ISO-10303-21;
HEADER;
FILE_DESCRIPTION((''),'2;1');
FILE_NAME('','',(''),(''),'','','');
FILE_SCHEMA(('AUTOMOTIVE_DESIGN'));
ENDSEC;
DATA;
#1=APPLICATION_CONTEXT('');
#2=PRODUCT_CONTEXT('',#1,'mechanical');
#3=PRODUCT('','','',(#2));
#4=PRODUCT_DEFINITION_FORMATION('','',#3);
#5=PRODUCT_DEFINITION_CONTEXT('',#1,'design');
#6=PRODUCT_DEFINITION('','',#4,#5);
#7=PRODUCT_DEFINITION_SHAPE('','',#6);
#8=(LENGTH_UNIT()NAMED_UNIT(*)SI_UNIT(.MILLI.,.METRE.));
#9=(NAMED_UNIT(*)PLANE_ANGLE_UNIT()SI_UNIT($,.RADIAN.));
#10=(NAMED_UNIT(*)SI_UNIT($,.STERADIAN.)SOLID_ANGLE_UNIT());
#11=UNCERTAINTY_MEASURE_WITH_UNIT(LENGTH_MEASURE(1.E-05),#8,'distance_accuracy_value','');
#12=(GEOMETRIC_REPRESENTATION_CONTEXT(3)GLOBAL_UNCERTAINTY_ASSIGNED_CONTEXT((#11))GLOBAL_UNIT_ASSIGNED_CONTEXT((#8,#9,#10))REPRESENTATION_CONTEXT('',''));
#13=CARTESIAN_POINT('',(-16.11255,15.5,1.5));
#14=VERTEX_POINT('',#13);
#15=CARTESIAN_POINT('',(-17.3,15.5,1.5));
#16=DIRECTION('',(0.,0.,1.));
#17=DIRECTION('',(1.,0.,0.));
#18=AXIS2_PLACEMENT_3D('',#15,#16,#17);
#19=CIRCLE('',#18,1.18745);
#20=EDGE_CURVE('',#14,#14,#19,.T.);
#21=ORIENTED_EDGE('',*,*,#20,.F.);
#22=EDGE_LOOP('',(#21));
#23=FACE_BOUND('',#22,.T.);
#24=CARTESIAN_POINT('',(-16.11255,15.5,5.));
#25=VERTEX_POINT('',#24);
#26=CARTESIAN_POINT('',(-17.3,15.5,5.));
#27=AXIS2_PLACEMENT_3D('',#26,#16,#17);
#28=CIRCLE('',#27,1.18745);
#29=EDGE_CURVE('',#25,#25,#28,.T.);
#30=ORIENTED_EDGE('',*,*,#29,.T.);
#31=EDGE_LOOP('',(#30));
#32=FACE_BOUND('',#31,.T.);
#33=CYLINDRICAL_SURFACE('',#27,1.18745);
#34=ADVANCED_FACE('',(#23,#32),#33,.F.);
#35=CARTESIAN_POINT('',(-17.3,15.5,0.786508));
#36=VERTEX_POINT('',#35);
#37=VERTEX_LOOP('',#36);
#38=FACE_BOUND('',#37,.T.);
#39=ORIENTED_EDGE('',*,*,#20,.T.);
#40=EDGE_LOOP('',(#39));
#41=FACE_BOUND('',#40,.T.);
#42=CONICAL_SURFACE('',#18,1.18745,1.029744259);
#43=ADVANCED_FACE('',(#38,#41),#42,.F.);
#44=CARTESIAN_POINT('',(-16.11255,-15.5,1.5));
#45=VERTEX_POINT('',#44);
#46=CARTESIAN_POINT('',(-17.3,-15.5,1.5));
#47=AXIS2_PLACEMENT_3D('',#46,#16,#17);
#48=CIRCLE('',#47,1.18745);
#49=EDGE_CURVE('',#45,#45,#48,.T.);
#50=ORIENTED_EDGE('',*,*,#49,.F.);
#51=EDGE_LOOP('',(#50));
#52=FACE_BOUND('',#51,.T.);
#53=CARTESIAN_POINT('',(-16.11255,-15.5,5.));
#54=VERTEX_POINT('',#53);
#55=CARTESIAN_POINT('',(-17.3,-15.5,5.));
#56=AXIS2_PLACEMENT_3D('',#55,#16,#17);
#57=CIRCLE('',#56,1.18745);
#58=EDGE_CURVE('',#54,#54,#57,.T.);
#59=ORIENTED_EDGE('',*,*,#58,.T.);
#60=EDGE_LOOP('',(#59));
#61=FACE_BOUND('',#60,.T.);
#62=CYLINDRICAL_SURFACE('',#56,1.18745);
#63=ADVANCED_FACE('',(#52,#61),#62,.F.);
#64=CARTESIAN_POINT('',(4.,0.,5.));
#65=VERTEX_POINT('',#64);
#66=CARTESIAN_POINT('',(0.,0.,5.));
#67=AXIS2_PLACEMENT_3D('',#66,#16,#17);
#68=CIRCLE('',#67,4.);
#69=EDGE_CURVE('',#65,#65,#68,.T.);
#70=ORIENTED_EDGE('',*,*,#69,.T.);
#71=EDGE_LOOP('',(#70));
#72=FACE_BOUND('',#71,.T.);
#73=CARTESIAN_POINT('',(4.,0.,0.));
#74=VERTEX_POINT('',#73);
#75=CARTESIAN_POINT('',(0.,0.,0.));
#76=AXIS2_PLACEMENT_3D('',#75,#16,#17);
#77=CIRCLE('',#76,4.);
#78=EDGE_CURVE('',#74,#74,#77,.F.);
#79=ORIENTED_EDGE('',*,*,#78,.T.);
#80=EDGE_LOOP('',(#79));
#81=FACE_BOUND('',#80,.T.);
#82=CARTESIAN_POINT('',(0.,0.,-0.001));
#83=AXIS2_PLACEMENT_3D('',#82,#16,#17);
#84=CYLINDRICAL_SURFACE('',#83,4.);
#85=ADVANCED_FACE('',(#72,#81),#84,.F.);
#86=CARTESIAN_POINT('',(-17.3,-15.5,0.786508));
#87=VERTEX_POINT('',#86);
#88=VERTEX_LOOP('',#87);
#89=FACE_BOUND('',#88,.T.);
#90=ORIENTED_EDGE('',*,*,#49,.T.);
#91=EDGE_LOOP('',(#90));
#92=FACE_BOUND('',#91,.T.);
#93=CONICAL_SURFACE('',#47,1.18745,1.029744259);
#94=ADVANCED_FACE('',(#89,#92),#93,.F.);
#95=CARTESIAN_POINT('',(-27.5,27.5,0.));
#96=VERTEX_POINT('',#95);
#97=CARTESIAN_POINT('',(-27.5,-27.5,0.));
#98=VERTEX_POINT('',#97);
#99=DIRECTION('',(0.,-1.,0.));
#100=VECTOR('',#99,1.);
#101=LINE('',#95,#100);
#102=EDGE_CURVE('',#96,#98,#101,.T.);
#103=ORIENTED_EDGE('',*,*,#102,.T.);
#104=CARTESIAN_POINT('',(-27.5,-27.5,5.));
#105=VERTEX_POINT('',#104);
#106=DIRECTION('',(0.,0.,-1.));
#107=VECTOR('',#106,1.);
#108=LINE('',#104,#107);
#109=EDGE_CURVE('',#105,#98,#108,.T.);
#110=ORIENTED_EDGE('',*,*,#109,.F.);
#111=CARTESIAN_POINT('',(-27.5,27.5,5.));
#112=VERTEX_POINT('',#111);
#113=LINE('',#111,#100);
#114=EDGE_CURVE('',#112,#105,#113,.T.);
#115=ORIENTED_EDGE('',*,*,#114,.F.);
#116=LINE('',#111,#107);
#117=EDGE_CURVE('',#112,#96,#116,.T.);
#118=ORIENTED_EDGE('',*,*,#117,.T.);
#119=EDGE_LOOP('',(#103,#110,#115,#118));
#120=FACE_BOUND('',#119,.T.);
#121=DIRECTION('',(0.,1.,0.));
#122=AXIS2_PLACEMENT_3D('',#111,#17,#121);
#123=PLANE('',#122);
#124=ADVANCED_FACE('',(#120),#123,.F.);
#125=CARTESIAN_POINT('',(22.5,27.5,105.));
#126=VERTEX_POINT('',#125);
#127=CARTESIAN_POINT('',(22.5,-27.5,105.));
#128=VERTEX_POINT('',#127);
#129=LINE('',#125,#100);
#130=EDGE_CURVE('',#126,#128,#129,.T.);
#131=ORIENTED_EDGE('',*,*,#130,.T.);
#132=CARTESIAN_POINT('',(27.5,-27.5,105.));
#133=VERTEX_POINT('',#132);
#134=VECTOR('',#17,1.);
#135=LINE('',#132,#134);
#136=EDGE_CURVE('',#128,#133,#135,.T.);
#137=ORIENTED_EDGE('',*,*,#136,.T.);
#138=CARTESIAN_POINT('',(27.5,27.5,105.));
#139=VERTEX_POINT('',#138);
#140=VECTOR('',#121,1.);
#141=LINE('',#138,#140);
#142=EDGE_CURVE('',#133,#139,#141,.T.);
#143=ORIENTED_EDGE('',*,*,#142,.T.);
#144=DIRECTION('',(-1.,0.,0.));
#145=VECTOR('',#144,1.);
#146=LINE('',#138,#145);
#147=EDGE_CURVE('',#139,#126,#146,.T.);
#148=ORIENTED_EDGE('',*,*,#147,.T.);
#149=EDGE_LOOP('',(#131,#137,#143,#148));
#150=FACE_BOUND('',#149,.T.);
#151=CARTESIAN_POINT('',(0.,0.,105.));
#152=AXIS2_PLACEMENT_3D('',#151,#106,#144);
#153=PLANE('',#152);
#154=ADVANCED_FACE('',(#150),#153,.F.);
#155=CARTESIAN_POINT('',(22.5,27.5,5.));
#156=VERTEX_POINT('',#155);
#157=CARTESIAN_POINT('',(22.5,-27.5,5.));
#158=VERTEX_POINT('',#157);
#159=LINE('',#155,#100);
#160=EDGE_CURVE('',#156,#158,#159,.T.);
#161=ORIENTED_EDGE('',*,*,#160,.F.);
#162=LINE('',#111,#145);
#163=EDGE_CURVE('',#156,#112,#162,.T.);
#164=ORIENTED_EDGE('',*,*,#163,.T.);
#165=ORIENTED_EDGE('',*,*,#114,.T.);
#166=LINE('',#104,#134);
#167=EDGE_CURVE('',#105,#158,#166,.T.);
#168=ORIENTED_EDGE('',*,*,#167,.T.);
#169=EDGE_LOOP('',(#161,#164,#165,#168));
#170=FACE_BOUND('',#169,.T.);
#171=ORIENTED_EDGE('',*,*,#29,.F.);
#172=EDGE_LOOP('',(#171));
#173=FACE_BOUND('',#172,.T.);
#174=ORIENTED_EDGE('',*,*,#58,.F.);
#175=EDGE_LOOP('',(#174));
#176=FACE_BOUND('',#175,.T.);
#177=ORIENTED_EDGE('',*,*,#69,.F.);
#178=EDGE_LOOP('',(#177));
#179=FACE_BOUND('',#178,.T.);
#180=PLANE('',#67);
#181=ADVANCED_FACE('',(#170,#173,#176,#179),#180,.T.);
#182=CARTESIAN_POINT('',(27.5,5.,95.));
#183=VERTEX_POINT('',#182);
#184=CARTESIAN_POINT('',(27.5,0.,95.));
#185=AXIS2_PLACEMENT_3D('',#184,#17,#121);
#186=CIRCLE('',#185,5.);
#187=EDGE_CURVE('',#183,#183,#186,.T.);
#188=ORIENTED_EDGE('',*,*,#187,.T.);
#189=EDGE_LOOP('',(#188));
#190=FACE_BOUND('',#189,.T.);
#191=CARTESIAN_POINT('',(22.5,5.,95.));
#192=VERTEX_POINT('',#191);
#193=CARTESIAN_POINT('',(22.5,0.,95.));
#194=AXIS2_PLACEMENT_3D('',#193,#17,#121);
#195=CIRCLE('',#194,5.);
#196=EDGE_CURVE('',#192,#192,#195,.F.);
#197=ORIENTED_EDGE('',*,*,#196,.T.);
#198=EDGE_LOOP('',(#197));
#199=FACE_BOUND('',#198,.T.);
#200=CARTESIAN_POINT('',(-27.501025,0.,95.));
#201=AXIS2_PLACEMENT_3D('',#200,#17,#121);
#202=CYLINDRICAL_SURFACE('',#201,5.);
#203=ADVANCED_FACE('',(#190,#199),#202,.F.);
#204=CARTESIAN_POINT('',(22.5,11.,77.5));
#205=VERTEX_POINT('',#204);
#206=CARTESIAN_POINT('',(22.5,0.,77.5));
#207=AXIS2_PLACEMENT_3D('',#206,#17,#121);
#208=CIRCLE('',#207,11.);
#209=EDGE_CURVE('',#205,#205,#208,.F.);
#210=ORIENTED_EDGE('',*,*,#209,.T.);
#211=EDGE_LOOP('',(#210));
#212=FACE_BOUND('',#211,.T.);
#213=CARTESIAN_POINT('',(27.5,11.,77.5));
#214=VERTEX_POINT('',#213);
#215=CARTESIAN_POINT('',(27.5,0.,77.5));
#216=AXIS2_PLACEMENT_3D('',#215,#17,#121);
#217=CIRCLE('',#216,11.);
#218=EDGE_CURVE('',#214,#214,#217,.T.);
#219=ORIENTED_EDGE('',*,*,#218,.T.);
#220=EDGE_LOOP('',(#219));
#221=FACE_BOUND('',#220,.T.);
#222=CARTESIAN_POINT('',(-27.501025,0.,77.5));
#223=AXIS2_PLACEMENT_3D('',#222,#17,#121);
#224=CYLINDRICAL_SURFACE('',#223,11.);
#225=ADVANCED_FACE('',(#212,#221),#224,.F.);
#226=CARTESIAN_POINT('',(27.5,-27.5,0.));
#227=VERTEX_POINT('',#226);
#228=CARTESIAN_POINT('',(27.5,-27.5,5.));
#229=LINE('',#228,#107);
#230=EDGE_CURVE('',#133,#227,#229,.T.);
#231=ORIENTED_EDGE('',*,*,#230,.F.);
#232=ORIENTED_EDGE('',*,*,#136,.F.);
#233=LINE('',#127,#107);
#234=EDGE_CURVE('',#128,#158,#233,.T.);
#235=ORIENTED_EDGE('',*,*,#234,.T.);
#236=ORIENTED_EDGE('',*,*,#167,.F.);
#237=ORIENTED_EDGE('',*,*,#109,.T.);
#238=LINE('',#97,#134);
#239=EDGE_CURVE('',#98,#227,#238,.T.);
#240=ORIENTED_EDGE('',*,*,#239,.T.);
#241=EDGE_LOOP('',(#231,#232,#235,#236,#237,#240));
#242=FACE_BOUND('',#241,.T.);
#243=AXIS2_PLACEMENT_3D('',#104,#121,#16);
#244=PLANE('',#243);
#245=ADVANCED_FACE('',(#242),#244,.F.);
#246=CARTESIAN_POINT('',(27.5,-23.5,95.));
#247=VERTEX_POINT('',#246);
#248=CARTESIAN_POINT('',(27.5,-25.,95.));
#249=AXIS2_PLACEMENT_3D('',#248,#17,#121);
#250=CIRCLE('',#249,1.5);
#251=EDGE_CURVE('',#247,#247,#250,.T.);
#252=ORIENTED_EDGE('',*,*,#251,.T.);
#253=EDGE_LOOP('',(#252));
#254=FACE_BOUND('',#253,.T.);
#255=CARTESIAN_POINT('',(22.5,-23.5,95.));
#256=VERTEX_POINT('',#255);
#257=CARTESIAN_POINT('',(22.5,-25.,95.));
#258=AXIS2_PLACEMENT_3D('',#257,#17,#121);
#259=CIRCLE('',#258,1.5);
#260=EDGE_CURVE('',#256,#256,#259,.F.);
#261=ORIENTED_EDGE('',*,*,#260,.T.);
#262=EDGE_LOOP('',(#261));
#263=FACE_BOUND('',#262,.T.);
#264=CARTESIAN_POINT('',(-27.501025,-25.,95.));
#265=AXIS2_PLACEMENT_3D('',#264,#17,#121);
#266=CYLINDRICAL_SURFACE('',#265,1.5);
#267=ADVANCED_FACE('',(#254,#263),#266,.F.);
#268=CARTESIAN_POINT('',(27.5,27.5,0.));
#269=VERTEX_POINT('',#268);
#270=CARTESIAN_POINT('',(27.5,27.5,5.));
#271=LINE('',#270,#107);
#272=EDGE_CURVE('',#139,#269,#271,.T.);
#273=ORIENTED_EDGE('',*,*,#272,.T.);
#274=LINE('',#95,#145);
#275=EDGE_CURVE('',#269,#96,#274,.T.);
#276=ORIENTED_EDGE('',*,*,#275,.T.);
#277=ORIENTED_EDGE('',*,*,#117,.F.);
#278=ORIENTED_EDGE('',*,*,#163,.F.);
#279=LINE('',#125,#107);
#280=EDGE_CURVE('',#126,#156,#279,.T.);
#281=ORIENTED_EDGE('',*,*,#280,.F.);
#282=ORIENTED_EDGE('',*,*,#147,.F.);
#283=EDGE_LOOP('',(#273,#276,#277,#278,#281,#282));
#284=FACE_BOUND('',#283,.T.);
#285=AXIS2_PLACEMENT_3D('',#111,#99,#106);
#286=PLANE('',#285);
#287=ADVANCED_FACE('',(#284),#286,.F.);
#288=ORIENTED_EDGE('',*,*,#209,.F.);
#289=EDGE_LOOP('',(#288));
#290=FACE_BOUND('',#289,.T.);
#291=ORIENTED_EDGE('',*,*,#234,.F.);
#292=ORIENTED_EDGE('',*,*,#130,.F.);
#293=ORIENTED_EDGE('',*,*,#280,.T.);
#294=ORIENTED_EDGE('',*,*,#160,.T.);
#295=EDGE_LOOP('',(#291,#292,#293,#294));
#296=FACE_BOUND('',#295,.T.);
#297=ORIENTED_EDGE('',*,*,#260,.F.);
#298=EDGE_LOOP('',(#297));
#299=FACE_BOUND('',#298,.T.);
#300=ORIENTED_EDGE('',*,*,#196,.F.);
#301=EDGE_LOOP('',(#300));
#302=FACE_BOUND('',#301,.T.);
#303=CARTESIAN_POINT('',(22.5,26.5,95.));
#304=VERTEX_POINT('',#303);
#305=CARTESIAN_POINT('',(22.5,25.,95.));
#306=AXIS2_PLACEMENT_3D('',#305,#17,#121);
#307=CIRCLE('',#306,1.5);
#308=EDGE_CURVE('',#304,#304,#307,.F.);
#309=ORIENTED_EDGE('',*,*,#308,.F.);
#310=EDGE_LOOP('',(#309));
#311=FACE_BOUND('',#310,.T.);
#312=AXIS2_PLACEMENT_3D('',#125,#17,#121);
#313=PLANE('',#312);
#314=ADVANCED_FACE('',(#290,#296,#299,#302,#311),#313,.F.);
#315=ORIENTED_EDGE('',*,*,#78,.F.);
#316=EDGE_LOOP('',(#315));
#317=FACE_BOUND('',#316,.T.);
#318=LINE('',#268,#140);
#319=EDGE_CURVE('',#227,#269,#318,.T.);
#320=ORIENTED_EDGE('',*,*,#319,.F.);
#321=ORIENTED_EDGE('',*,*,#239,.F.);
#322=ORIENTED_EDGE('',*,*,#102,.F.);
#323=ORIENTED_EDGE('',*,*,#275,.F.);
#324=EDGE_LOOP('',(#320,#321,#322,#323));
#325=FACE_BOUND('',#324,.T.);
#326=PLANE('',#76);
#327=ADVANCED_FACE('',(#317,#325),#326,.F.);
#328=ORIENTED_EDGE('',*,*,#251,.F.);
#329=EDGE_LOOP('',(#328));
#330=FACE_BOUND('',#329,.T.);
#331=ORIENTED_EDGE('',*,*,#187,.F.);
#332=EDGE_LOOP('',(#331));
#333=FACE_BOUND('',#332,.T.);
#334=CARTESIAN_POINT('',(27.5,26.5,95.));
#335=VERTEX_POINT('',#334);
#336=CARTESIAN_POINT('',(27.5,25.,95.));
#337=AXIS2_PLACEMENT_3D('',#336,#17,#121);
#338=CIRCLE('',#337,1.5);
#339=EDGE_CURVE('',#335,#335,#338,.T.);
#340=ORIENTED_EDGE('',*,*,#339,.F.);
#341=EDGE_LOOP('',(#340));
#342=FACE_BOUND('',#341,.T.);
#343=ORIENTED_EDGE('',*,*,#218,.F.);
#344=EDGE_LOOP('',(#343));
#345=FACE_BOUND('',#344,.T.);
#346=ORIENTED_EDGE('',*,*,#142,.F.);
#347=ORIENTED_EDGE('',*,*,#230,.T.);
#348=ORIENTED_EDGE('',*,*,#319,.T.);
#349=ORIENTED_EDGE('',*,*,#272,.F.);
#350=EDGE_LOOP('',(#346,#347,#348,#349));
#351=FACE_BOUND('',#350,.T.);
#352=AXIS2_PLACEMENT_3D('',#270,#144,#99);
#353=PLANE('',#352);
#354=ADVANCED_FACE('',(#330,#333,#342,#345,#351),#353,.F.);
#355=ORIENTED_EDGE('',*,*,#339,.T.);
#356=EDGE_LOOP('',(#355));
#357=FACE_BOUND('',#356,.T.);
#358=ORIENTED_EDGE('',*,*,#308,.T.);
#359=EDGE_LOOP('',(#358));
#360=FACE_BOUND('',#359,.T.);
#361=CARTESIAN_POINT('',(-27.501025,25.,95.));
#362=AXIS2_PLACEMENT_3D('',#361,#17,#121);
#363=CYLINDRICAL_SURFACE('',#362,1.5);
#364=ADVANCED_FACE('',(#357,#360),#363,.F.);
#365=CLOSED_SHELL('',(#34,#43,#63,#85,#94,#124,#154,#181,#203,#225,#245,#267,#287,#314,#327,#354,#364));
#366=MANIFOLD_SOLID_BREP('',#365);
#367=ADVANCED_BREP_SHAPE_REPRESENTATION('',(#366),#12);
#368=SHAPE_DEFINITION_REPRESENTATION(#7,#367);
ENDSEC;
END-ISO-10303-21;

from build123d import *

# Parameters (mm, degrees)
SKETCH1_W                 = 55
SKETCH1_H                 = 55
BOSS_EXTRUDE1_DEPTH       = 5
SKETCH2_W                 = 5
SKETCH2_H                 = 55
BOSS_EXTRUDE2_DEPTH       = 100
CUT_EXTRUDE1_REACH        = 57
SKETCH3_R                 = 5
SKETCH3_R_2               = 1.5
SKETCH3_R_3               = 11
CUT_EXTRUDE2_REACH        = 7
SKETCH4_R                 = 4
F_4_48_TAPPED_HOLE1_D     = 2.3749
F_4_48_TAPPED_HOLE1_DEPTH = 3.5
F_4_48_TAPPED_HOLE1_TIP   = 0.713491942


with BuildPart() as part:
    # Sketch1 → Boss-Extrude1 (new body)
    with BuildSketch(Plane.XY):
        Rectangle(SKETCH1_W, SKETCH1_H)
    extrude(amount=BOSS_EXTRUDE1_DEPTH)

    # Sketch2 → Boss-Extrude2 (add)
    with BuildSketch(Plane.XY.offset(5)):
        with Locations((25, 0)):
            Rectangle(SKETCH2_W, SKETCH2_H)
    extrude(amount=BOSS_EXTRUDE2_DEPTH)

    # Sketch3 → Cut-Extrude1 (cut, up to next)
    with BuildSketch(Plane(origin=(27.5, 0, 0), x_dir=(0, 0, -1), z_dir=(1, 0, 0)), mode=Mode.PRIVATE) as cut_extrude1_sk1:
        with Locations((-95, 0)):
            Circle(SKETCH3_R)
    cut_extrude1_tool1 = extrude(cut_extrude1_sk1.sketch, amount=-CUT_EXTRUDE1_REACH, mode=Mode.PRIVATE) & part.part
    add(cut_extrude1_tool1.solids().sort_by_distance((27.5, 0, 95))[0], mode=Mode.SUBTRACT)
    # Sketch3 → Cut-Extrude1 (cut, up to next)
    with BuildSketch(Plane(origin=(27.5, 0, 0), x_dir=(0, 0, -1), z_dir=(1, 0, 0)), mode=Mode.PRIVATE) as cut_extrude1_sk2:
        with Locations((-95, 25)):
            Circle(SKETCH3_R_2)
    cut_extrude1_tool2 = extrude(cut_extrude1_sk2.sketch, amount=-CUT_EXTRUDE1_REACH, mode=Mode.PRIVATE) & part.part
    add(cut_extrude1_tool2.solids().sort_by_distance((27.5, 25, 95))[0], mode=Mode.SUBTRACT)
    # Sketch3 → Cut-Extrude1 (cut, up to next)
    with BuildSketch(Plane(origin=(27.5, 0, 0), x_dir=(0, 0, -1), z_dir=(1, 0, 0)), mode=Mode.PRIVATE) as cut_extrude1_sk3:
        with Locations((-95, -25)):
            Circle(SKETCH3_R_2)
    cut_extrude1_tool3 = extrude(cut_extrude1_sk3.sketch, amount=-CUT_EXTRUDE1_REACH, mode=Mode.PRIVATE) & part.part
    add(cut_extrude1_tool3.solids().sort_by_distance((27.5, -25, 95))[0], mode=Mode.SUBTRACT)
    # Sketch3 → Cut-Extrude1 (cut, up to next)
    with BuildSketch(Plane(origin=(27.5, 0, 0), x_dir=(0, 0, -1), z_dir=(1, 0, 0)), mode=Mode.PRIVATE) as cut_extrude1_sk4:
        with Locations((-77.5, 0)):
            Circle(SKETCH3_R_3)
    cut_extrude1_tool4 = extrude(cut_extrude1_sk4.sketch, amount=-CUT_EXTRUDE1_REACH, mode=Mode.PRIVATE) & part.part
    add(cut_extrude1_tool4.solids().sort_by_distance((27.5, 0, 77.5))[0], mode=Mode.SUBTRACT)

    # Sketch4 → Cut-Extrude2 (cut, up to next)
    with BuildSketch(Plane.XY.offset(5), mode=Mode.PRIVATE) as cut_extrude2_sk1:
        Circle(SKETCH4_R)
    cut_extrude2_tool1 = extrude(cut_extrude2_sk1.sketch, amount=-CUT_EXTRUDE2_REACH, mode=Mode.PRIVATE) & part.part
    add(cut_extrude2_tool1.solids().sort_by_distance((0, 0, 5))[0], mode=Mode.SUBTRACT)

    # #4-48 Tapped Hole1
    with Locations(Plane.XY.offset(5)):
        with Locations((-17.3, 15.5), (-17.3, -15.5)):
            Hole(F_4_48_TAPPED_HOLE1_D / 2, depth=F_4_48_TAPPED_HOLE1_DEPTH)
            with Locations((0, 0, -(F_4_48_TAPPED_HOLE1_DEPTH + F_4_48_TAPPED_HOLE1_TIP / 2))):  # 118° drill point
                Cone(0, F_4_48_TAPPED_HOLE1_D / 2, F_4_48_TAPPED_HOLE1_TIP, mode=Mode.SUBTRACT)


solid = part.part
